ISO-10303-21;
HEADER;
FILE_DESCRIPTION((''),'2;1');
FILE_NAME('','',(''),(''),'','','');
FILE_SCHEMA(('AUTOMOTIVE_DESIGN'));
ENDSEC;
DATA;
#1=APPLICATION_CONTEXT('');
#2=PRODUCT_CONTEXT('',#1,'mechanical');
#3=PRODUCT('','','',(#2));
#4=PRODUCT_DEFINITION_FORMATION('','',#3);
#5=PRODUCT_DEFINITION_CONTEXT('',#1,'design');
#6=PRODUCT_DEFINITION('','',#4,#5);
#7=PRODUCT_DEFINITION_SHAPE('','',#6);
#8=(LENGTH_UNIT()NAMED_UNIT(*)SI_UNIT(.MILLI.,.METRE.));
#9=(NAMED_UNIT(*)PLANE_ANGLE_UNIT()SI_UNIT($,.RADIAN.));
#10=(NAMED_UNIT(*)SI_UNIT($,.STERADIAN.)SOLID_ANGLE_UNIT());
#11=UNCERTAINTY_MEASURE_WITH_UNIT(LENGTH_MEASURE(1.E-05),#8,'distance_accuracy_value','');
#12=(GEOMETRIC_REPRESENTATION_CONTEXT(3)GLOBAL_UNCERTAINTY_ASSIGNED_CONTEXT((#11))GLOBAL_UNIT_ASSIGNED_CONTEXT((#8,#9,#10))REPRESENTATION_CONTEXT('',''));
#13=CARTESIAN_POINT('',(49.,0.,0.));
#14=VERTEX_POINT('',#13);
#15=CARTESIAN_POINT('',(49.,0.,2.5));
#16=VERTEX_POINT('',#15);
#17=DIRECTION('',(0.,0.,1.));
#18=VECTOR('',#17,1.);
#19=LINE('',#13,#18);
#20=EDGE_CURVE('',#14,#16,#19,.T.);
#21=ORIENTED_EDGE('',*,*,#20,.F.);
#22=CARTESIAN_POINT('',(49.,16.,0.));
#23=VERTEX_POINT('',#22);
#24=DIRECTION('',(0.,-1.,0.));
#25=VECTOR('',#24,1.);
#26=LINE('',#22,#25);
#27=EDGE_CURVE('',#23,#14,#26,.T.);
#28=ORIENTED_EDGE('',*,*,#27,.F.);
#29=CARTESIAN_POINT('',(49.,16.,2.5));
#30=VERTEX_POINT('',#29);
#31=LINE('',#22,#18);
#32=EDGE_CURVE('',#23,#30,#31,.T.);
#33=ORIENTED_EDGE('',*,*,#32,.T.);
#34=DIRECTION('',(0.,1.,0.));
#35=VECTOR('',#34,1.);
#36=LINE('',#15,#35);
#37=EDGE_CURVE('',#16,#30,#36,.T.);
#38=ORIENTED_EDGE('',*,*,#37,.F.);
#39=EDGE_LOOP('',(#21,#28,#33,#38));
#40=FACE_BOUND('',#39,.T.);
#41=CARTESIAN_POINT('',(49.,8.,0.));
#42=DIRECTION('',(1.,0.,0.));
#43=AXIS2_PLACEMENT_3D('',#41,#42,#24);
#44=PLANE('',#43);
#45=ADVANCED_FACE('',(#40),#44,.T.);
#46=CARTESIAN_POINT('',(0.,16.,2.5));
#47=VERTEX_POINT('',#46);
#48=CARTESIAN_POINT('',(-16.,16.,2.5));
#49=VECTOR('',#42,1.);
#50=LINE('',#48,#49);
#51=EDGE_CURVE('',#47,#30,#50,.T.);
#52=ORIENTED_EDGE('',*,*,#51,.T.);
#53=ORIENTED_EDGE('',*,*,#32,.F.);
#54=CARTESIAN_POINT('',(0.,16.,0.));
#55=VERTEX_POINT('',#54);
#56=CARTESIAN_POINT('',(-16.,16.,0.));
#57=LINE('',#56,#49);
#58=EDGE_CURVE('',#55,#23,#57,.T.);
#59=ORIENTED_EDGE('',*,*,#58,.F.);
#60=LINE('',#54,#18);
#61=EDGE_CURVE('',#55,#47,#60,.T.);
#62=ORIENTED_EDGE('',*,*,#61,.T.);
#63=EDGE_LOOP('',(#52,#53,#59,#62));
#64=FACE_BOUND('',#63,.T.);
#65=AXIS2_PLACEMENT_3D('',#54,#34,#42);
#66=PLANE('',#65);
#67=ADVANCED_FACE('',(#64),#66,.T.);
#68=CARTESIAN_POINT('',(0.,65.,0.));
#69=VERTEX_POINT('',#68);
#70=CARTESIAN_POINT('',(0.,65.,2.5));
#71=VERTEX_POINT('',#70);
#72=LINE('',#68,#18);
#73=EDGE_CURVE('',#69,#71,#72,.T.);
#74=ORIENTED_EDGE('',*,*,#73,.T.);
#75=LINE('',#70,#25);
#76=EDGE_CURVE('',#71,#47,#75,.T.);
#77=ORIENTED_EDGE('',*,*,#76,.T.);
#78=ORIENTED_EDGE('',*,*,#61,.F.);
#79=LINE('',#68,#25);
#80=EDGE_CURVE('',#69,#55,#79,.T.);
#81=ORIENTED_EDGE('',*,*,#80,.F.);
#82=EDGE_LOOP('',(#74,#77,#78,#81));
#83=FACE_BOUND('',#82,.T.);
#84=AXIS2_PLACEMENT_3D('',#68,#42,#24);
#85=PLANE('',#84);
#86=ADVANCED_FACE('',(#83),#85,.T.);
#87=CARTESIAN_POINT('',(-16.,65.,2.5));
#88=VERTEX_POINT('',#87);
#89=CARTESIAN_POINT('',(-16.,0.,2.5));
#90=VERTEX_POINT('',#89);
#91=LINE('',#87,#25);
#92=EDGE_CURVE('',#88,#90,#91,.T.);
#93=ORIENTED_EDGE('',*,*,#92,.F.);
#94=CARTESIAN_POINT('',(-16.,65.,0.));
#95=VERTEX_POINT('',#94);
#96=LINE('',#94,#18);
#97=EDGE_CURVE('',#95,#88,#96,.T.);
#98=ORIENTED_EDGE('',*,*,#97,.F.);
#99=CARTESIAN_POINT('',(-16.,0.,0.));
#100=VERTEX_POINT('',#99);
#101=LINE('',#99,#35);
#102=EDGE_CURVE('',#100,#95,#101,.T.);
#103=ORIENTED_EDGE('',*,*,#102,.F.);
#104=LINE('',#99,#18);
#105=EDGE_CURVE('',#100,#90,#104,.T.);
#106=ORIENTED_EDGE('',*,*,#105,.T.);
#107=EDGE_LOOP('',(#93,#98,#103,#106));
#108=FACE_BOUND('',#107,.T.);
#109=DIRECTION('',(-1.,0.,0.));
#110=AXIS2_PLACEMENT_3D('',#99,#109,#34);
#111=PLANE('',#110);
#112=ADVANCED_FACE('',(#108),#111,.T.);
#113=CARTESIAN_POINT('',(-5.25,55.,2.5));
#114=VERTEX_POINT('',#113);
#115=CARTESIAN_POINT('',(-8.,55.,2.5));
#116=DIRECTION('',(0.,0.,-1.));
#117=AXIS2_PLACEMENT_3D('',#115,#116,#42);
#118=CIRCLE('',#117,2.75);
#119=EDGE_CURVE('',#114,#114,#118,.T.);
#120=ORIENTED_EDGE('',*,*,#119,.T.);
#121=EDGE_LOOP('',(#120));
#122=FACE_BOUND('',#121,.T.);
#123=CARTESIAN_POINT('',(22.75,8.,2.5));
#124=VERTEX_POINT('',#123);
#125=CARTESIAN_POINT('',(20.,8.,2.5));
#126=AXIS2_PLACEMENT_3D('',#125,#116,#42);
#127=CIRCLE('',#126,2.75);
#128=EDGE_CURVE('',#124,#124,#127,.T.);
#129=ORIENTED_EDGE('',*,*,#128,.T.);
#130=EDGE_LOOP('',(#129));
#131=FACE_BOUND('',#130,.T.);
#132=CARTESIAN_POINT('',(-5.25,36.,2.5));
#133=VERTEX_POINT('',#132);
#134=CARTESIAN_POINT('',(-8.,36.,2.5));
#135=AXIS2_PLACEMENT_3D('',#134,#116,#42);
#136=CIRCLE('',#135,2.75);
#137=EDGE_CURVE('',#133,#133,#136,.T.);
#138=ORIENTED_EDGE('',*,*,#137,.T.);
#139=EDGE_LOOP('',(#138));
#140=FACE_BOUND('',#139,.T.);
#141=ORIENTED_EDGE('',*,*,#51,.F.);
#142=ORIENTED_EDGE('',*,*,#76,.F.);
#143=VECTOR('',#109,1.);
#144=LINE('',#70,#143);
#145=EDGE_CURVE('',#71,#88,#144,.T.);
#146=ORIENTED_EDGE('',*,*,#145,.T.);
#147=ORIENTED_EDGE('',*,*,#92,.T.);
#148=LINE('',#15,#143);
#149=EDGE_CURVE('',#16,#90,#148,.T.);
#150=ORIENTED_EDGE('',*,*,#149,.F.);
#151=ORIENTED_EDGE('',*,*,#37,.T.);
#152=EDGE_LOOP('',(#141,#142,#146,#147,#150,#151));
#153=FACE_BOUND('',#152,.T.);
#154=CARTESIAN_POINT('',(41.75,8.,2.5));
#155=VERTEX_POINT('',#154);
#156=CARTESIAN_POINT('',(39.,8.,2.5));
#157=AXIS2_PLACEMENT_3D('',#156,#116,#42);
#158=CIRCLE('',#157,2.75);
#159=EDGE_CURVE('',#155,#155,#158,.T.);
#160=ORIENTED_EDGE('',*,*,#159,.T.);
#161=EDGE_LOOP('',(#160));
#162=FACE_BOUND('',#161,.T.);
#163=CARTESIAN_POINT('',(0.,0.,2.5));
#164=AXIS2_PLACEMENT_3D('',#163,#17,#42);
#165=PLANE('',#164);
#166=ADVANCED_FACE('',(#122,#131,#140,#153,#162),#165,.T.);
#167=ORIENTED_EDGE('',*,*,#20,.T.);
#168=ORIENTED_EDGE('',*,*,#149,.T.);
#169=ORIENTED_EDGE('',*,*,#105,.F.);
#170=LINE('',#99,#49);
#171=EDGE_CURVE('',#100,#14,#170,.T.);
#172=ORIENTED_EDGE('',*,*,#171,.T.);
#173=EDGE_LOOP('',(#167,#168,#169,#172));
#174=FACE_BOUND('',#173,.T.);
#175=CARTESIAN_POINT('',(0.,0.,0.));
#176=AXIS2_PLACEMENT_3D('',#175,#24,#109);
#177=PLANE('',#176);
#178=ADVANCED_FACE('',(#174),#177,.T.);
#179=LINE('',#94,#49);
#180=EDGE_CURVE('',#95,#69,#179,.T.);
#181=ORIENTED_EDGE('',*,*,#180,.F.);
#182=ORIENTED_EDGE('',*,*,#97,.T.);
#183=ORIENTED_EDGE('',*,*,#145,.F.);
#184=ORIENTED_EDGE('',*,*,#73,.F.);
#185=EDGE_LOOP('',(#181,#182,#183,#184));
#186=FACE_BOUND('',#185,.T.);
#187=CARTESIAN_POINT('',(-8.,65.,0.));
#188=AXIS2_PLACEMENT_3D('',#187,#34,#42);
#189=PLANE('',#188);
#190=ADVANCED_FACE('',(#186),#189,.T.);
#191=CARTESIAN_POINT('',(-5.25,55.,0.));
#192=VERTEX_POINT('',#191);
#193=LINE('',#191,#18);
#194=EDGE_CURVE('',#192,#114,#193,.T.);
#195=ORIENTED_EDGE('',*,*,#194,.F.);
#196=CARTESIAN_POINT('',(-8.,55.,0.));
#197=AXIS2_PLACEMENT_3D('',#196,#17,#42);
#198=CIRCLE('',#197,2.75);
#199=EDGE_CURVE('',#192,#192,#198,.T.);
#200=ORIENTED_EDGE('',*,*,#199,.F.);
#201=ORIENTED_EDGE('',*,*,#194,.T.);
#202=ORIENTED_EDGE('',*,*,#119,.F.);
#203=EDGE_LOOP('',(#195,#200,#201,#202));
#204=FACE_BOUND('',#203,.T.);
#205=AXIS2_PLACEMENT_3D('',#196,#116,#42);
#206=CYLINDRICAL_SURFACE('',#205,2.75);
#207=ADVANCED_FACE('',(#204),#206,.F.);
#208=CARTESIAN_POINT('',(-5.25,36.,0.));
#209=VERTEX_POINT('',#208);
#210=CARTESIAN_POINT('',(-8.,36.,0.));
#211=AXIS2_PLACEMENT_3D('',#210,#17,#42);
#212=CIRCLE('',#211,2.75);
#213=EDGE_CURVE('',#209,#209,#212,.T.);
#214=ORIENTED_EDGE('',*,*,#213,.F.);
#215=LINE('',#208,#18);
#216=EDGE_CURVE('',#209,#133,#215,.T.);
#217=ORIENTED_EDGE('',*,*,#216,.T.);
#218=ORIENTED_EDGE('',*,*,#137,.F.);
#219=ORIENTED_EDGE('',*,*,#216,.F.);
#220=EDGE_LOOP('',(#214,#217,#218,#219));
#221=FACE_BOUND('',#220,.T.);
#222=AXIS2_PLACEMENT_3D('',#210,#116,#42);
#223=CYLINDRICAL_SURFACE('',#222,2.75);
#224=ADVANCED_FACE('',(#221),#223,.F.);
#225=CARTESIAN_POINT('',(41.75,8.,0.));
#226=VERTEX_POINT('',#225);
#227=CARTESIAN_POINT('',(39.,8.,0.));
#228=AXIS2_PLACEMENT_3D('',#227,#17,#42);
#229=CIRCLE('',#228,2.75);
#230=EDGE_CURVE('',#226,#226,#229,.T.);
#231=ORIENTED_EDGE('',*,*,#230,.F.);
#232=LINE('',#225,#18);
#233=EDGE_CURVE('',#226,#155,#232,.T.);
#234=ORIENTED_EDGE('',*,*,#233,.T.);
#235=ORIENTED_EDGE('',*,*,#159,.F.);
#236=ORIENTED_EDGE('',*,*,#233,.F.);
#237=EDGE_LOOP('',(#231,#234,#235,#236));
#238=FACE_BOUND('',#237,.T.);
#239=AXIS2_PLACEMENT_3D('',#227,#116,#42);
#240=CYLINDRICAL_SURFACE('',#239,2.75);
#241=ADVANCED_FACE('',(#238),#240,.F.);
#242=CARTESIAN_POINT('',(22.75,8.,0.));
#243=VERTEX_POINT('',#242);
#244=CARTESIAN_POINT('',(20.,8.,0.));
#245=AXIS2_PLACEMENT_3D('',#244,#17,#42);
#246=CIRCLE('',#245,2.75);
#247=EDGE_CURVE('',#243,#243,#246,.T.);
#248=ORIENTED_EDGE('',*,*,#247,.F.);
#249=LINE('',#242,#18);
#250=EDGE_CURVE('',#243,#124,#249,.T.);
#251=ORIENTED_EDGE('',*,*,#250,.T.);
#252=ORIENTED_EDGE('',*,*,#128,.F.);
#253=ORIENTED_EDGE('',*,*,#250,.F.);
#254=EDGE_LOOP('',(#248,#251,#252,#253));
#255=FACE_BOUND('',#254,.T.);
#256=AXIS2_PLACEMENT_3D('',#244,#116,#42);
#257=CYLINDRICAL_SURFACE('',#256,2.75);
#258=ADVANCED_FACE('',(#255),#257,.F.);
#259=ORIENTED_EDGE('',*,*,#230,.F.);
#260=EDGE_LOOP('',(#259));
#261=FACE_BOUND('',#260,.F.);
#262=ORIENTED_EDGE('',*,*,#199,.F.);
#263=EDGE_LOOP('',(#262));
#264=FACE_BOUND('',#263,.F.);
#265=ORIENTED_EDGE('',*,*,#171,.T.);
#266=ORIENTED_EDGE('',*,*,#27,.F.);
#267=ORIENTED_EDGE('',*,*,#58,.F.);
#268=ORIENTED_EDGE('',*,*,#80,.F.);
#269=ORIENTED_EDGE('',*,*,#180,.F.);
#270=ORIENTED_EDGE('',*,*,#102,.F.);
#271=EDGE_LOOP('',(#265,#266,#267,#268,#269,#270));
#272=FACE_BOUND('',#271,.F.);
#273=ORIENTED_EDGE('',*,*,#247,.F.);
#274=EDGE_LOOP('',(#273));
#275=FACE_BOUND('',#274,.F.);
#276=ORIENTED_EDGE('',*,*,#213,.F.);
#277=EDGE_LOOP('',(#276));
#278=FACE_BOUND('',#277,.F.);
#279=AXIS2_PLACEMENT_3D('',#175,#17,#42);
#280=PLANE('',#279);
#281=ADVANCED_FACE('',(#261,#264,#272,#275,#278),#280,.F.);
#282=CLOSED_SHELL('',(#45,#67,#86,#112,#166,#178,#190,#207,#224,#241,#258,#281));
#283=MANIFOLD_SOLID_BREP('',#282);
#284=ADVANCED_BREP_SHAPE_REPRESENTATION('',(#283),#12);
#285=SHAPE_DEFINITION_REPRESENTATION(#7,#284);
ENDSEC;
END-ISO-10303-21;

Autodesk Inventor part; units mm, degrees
ref_plane "YZ Plane" through (0, 0, 0) normal (1, 0, 0) x (0, 1, 0)
ref_plane "XZ Plane" through (0, 0, 0) normal (0, 1, 0) x (-1, 0, 0)
ref_plane "XY Plane" through (0, 0, 0) normal (0, 0, 1) x (1, 0, 0)
sketch "草图1" plane through (0, 0, 0) normal (0, 0, 1) x (1, 0, 0)
  line L0 (0, 0) -> (-16, 0)
  line L1 (-16, 0) -> (-16, 65)
  line L2 (-16, 65) -> (0, 65)
  line L3 (0, 65) -> (0, 0)
  line L4 (-16, 16) -> (49, 16)
  line L5 (49, 16) -> (49, 0)
  line L6 (49, 0) -> (-16, 0)
  line L7 (-16, 0) -> (-16, 16)
  line L8 (-8, 65) -> (-8, 0)
  line L9 (-16, 8) -> (49, 8)
  circle A0 centre (-8, 55) radius 2.75
  circle A1 centre (-8, 36) radius 2.75
  circle A2 centre (39, 8) radius 2.75
  circle A3 centre (20, 8) radius 2.75
  point P0 (0, 16)
  dimension "d0" = 65
  dimension "d1" = 65
  dimension "d2" = 16
  dimension "d3" = 16
  dimension "d4" = 5.5
  dimension "d5" = 5.5
  dimension "d6" = 19
  dimension "d7" = 10
  dimension "d8" = 5.5
  dimension "d9" = 5.5
  dimension "d10" = 19
  dimension "d11" = 10
extrude "拉伸1" add sketch "草图1" along normal blind 2.5 contours L0 L8 L9 L3 | L3 L9 A3 A2 L5 L6 | L0 L1 L9 L8 | L9 L8 L4 L3 | L3 L4 L5 L9 A2 A3 | L9 L1 L4 L8 | L4 L8 A1 A0 L2 L3 | L4 L1 L2 L8 A0 A1
properties part number "L型"
